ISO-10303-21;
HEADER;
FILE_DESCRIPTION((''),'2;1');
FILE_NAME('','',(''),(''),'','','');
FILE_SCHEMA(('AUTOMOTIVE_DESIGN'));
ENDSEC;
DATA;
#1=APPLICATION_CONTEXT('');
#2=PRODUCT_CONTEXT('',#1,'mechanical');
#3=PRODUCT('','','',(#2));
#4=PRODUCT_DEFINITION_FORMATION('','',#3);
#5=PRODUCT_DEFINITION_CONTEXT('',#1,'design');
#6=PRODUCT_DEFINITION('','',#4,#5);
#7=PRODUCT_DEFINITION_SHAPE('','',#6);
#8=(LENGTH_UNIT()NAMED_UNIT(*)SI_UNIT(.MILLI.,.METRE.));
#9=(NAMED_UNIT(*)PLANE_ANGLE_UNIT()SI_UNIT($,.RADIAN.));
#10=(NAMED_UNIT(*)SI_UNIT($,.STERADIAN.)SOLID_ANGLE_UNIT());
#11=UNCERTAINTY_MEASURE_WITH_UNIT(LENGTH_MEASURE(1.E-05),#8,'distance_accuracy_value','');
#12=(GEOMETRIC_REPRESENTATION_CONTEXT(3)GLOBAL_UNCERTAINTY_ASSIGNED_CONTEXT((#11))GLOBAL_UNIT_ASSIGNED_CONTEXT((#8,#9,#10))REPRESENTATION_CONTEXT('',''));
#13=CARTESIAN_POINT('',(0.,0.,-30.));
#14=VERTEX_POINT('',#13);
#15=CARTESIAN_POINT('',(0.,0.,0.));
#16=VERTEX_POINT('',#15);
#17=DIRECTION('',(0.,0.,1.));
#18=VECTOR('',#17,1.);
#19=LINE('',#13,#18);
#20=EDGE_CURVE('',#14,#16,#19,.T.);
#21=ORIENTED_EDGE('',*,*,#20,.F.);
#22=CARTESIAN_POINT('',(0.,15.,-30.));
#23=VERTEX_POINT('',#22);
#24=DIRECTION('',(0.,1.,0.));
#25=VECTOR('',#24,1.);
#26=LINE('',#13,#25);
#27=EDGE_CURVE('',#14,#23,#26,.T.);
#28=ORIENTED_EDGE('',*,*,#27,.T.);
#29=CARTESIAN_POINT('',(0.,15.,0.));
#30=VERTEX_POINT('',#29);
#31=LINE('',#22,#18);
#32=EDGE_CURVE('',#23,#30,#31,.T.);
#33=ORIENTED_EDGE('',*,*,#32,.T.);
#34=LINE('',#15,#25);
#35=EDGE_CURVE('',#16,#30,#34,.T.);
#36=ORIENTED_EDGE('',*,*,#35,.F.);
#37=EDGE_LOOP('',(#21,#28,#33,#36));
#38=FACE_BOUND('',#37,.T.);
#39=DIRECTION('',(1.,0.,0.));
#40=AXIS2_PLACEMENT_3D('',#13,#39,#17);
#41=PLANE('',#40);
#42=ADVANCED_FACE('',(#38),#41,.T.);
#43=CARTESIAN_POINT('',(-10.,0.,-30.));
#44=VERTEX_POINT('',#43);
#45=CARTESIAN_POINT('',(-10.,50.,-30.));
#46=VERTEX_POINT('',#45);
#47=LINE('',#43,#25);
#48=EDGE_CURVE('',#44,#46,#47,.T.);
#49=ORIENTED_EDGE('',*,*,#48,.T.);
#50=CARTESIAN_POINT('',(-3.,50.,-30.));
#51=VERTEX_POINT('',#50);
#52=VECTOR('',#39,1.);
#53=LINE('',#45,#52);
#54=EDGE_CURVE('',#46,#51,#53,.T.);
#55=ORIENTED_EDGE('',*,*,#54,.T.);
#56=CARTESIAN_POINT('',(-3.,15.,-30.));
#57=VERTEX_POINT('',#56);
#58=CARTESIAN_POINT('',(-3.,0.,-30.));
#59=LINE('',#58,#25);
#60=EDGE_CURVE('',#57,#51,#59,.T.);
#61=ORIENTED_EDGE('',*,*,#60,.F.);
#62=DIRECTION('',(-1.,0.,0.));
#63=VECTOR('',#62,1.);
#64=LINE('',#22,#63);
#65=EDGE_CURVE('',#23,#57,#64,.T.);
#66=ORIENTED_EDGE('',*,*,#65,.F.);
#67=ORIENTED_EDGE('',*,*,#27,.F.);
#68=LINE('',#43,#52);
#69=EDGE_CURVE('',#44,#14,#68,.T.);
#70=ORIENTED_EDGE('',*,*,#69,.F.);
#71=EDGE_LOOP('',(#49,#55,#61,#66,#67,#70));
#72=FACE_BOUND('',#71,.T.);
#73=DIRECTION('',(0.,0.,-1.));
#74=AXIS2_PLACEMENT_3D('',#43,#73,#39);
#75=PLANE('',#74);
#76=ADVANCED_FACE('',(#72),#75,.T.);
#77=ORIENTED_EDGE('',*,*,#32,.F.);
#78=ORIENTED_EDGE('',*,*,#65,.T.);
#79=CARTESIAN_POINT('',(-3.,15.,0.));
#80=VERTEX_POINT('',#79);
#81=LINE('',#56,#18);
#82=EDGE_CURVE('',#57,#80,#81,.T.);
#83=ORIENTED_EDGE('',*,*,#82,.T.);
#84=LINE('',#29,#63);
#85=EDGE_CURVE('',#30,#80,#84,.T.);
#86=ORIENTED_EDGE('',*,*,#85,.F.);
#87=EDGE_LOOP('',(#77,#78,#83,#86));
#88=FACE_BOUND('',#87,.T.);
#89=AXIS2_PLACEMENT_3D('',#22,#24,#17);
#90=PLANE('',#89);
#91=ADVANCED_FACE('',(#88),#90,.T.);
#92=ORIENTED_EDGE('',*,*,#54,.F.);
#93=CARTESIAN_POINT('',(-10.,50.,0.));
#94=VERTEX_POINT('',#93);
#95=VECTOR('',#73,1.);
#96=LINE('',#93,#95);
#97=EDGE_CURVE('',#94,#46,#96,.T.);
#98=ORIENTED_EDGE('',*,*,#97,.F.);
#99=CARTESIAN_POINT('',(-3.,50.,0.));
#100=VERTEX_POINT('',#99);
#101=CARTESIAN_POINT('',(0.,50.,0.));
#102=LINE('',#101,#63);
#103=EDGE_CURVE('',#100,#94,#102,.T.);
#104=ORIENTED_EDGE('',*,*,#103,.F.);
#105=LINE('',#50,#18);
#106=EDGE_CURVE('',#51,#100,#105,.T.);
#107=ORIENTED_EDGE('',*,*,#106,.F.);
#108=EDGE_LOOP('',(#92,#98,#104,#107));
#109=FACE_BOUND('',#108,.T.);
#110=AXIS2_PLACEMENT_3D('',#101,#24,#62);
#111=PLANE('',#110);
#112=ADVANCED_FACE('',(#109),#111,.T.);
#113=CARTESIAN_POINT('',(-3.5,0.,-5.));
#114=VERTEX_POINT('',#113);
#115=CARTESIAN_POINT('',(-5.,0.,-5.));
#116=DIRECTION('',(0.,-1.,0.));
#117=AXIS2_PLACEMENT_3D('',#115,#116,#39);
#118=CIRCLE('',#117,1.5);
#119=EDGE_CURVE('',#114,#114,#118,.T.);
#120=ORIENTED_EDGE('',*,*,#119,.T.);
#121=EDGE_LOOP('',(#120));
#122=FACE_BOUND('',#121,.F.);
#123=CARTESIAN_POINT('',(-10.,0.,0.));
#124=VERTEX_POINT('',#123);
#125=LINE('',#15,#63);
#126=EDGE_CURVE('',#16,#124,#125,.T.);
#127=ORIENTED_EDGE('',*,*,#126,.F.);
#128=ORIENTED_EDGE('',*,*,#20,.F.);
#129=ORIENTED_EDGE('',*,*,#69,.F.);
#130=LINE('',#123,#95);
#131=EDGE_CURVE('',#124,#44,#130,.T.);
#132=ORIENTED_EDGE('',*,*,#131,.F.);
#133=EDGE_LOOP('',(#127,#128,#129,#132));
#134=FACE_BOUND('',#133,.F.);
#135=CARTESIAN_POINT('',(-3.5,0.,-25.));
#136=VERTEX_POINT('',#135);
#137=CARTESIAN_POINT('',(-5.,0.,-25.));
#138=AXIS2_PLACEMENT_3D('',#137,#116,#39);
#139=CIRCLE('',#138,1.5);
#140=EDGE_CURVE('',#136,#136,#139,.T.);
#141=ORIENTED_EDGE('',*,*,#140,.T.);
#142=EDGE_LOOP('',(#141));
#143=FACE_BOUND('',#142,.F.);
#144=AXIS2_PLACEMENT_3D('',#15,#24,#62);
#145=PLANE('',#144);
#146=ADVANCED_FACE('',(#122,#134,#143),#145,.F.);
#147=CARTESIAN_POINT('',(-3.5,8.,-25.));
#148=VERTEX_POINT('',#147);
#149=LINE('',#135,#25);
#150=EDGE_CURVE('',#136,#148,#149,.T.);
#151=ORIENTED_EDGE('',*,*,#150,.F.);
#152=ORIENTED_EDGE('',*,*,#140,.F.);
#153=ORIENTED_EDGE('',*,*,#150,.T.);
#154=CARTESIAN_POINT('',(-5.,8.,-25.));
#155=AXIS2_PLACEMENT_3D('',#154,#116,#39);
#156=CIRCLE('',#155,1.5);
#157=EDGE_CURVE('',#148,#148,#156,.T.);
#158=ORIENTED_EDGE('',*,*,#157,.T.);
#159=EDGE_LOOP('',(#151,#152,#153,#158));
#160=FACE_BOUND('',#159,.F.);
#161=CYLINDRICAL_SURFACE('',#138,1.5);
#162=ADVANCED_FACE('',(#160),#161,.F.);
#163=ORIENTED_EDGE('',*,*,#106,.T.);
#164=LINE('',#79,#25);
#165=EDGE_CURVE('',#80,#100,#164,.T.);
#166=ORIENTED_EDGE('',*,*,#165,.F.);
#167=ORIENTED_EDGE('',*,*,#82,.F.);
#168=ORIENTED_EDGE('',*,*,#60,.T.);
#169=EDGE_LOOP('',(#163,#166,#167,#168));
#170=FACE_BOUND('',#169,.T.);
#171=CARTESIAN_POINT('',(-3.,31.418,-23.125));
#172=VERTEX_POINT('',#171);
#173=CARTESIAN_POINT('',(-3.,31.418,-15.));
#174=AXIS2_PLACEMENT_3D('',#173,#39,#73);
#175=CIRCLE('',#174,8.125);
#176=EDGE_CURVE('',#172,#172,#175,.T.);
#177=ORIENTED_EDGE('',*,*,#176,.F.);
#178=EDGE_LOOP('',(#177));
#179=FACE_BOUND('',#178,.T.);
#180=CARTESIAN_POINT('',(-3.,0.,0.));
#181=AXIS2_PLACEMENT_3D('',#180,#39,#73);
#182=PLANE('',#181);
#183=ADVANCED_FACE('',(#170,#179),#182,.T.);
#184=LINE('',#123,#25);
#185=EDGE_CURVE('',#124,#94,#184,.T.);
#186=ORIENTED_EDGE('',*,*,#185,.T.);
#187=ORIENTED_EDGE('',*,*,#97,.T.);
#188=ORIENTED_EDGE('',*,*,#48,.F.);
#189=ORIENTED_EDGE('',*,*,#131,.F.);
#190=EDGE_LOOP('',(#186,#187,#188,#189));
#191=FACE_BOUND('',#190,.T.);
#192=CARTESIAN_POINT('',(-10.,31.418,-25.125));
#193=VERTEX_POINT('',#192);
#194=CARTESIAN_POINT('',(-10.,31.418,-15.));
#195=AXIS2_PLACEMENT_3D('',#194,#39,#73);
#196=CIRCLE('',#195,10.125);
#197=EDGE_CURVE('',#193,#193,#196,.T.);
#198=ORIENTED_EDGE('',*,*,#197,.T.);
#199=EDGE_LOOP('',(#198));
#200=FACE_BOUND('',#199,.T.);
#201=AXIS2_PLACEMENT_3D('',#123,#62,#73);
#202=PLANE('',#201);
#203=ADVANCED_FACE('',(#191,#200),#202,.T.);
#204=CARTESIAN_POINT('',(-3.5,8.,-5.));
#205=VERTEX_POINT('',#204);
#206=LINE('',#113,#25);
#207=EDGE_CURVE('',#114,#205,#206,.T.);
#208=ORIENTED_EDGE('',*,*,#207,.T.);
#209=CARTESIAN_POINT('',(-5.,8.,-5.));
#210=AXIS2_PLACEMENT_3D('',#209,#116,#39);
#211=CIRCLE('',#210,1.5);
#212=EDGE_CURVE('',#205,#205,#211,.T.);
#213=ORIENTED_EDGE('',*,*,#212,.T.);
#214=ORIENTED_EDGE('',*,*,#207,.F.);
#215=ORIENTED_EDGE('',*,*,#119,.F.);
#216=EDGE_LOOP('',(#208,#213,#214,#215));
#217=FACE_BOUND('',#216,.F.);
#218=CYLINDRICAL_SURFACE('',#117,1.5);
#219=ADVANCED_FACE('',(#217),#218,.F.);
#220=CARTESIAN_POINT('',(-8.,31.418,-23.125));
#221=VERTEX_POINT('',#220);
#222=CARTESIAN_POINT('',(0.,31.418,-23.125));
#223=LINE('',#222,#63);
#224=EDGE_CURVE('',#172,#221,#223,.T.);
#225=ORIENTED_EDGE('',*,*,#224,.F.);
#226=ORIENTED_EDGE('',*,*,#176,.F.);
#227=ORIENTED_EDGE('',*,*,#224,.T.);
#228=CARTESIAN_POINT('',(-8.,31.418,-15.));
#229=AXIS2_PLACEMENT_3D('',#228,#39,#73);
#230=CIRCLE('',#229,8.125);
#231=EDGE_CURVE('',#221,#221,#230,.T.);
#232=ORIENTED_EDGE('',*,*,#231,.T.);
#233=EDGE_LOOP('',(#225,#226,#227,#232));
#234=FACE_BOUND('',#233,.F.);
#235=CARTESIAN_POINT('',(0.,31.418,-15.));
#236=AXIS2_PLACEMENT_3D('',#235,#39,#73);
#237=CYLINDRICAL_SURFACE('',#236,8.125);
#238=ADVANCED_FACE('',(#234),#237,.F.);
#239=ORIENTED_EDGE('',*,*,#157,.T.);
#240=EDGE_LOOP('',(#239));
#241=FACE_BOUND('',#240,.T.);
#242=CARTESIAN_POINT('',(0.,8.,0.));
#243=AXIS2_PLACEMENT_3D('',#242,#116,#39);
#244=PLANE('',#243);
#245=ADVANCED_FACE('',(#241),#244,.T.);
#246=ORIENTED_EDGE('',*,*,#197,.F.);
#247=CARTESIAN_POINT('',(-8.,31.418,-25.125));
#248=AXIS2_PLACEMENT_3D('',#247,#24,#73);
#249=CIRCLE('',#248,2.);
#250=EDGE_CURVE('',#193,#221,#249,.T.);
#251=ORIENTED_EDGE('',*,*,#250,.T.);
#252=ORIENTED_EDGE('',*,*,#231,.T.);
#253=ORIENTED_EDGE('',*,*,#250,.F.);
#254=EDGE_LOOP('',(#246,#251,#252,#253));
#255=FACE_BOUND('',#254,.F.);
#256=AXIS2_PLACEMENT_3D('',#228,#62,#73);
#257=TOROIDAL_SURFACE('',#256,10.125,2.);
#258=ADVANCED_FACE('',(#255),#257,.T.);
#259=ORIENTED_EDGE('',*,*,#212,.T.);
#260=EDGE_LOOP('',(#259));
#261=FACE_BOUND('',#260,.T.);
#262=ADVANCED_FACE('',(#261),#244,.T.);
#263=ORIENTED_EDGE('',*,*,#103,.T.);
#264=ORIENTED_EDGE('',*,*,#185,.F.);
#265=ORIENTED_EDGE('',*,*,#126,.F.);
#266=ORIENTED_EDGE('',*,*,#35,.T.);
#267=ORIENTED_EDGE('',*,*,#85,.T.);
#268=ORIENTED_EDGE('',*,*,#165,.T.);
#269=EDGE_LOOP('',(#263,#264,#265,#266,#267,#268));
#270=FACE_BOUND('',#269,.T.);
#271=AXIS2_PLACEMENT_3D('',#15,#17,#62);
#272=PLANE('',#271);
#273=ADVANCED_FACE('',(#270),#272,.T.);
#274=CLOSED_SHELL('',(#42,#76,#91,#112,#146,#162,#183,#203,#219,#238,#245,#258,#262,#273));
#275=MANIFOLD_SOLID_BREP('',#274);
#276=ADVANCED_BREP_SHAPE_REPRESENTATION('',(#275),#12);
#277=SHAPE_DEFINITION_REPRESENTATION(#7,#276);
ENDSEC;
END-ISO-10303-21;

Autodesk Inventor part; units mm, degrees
ref_plane "YZ Plane" through (0, 0, 0) normal (1, 0, 0) x (0, 1, 0)
ref_plane "XZ Plane" through (0, 0, 0) normal (0, 1, 0) x (-1, 0, 0)
ref_plane "XY Plane" through (0, 0, 0) normal (0, 0, 1) x (1, 0, 0)
sketch "Sketch1" plane through (0, 0, 0) normal (0, 1, 0) x (-1, 0, 0)
  line L0 (0, 0) -> (10, 0)
  line L1 (10, 0) -> (10, -30)
  line L2 (10, -30) -> (0, -30)
  line L3 (0, -30) -> (0, 0)
  dimension "d0" = 10
  dimension "d1" = 30
extrude "Extrusion1" add sketch "Sketch1" along normal blind 50
sketch "Sketch2" plane through (0, 0, 0) normal (0, -1, 0) x (1, 0, 0)
  line L0 (0, 0) -> (0, -30) projected
  circle A0 centre (-5, -5) radius 1.5
  circle A1 centre (-5, -25) radius 1.5
  dimension "d7" = 3
extrude "Extrusion2" cut sketch "Sketch2" against normal blind 8
sketch "Sketch3" plane through (0, 0, 0) normal (1, 0, 0) x (0, 0, -1)
  line L0 (30, 0) -> (0, 0) projected
  circle A0 centre (15, 31.418) radius 8.125
  dimension "d11" = 16.25
extrude "Extrusion3" cut sketch "Sketch3" against normal up to surface (10 mm away)
fillet "Fillet1" radius 2 2 edges at (0, 31.418, -6.875) (-10, 31.418, -6.875)
sketch "Sketch5" plane through (0, 0, 0) normal (1, 0, 0) x (0, 0, -1)
  line L0 (30, 50) -> (0, 50) projected
  line L1 (30, 0) -> (30, 50) projected
  line L2 (0, 50) -> (30, 50)
  line L3 (30, 50) -> (30, 15)
  line L4 (30, 15) -> (0, 15)
  line L5 (0, 15) -> (0, 50)
  point P0 (0, 0)
  dimension "d15" = 35
extrude "Extrusion4" cut sketch "Sketch5" against normal blind 3
properties part number "Bracket_Support"
